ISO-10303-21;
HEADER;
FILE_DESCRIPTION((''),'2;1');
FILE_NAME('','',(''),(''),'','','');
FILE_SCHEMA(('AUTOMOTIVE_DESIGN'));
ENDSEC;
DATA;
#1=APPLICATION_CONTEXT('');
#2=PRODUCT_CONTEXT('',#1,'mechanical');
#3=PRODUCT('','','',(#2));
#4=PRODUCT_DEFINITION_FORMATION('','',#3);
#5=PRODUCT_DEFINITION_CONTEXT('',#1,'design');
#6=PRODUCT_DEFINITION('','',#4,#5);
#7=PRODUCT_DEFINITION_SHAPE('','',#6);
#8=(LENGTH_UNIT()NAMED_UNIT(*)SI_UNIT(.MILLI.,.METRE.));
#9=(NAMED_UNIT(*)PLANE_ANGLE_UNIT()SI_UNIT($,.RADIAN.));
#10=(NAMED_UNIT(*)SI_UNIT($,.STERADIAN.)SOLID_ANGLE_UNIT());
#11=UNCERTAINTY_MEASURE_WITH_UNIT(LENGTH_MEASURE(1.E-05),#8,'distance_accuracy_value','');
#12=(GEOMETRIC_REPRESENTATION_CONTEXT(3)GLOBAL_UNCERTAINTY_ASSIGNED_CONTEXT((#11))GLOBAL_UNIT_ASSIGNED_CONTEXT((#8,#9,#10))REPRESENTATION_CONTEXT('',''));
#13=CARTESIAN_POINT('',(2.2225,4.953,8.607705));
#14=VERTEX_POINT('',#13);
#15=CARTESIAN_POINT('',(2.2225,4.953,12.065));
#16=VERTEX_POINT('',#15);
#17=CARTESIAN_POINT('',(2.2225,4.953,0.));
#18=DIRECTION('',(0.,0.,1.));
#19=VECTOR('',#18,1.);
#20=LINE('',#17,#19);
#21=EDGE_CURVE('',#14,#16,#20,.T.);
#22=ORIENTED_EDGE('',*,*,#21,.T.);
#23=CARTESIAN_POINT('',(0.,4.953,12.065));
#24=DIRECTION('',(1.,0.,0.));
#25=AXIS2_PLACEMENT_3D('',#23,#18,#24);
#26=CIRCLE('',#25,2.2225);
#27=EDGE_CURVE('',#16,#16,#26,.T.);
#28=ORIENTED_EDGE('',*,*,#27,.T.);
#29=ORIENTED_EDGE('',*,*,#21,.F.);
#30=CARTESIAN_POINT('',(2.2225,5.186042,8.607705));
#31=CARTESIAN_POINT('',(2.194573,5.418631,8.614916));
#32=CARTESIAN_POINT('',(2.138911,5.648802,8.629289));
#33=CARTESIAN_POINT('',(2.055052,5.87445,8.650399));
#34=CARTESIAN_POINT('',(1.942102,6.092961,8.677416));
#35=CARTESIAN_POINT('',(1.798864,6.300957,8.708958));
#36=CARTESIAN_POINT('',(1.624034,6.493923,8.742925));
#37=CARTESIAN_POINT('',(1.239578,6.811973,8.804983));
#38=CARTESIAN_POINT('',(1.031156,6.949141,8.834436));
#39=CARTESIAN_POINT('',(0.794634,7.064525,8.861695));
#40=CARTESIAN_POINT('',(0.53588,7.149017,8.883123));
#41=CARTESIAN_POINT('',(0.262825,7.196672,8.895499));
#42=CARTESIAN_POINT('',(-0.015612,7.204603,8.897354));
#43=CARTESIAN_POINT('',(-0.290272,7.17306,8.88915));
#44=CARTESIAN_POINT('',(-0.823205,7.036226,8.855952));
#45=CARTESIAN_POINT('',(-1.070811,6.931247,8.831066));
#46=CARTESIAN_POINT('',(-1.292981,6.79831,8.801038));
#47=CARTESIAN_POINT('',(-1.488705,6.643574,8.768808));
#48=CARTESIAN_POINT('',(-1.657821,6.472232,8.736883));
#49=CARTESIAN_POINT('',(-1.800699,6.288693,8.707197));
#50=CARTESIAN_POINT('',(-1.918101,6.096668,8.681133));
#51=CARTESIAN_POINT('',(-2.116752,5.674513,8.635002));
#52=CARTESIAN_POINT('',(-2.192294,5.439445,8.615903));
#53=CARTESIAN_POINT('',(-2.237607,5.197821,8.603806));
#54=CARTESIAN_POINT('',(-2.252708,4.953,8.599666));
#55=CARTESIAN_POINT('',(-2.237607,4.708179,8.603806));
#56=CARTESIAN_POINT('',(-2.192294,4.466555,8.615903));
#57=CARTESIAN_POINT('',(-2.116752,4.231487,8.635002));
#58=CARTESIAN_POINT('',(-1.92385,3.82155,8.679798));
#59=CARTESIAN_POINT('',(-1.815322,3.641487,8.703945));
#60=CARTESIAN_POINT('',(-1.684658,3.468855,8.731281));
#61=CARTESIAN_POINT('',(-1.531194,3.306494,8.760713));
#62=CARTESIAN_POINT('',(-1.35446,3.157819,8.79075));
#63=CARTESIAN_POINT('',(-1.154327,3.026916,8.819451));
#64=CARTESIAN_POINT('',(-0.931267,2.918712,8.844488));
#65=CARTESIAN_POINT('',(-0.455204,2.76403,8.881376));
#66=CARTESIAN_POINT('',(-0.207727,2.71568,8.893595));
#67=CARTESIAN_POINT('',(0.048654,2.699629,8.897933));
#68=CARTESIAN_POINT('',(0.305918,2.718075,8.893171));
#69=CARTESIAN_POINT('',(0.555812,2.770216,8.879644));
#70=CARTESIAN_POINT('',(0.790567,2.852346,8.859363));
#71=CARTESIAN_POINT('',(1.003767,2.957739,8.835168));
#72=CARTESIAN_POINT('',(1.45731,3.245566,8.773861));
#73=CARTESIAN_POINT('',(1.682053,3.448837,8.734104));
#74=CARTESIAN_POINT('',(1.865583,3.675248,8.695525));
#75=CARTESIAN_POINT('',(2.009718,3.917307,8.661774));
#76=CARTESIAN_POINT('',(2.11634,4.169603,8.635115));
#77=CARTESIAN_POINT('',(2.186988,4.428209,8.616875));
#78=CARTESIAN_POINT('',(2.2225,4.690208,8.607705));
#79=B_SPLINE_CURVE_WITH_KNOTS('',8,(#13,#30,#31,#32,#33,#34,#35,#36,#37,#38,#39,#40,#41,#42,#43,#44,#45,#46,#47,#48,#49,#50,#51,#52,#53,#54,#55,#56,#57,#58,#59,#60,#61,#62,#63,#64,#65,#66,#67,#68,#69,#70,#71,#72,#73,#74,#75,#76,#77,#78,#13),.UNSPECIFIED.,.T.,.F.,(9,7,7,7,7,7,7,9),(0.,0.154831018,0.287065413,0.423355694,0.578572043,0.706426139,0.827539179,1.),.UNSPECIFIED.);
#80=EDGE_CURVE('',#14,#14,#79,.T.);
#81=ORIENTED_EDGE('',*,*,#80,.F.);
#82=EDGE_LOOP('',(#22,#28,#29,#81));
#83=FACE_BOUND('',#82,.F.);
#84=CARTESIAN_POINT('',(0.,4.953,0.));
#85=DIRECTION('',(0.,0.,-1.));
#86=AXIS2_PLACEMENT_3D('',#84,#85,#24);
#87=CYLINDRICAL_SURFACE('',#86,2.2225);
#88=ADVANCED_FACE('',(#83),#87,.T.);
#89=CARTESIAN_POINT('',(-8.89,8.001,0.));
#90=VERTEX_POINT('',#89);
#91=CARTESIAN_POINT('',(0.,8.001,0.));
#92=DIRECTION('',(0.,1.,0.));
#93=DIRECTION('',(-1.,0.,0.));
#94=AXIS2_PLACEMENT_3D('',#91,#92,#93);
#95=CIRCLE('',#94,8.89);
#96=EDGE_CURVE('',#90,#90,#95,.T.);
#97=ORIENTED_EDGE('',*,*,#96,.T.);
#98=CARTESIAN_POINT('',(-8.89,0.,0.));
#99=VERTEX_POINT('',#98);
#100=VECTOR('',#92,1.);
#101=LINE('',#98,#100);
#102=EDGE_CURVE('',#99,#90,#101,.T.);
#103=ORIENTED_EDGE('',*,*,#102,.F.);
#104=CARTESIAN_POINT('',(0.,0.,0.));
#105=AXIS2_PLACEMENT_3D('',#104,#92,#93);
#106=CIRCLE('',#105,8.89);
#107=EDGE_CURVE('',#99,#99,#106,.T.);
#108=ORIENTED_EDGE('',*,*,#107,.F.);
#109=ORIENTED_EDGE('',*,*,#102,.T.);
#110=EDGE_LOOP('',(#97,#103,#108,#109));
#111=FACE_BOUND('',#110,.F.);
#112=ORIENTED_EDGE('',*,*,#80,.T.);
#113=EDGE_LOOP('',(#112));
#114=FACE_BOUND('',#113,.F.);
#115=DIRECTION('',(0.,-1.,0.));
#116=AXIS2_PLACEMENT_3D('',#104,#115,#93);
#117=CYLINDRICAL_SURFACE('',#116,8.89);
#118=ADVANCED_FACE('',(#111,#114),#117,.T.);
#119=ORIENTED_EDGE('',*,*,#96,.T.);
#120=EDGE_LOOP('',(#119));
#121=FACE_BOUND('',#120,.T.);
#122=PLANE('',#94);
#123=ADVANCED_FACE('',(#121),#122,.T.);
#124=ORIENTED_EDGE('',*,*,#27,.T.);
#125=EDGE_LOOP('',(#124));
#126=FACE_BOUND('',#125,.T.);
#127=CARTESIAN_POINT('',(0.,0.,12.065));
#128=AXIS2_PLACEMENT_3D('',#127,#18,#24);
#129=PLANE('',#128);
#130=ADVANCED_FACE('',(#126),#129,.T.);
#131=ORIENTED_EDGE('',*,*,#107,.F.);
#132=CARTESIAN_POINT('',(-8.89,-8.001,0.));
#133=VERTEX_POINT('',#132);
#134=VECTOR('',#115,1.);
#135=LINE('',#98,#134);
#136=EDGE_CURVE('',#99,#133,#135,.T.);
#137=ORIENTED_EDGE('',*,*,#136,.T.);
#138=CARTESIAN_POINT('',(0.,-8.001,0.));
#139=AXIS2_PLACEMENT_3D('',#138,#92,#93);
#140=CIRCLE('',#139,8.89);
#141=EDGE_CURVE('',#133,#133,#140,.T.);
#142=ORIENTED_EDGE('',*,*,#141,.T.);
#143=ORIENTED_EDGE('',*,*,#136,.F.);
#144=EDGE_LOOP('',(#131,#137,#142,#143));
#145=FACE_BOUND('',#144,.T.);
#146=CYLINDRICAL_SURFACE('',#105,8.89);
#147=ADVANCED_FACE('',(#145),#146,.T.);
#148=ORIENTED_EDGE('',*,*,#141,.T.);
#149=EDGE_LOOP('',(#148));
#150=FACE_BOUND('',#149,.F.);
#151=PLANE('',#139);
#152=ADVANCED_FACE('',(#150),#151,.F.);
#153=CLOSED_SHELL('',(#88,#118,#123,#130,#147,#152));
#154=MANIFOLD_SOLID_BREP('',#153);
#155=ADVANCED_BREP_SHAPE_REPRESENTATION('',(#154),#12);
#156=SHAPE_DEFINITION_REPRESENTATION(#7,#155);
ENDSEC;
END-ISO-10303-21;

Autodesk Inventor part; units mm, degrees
ref_plane "YZ Plane" through (0, 0, 0) normal (1, 0, 0) x (0, 1, 0)
ref_plane "XZ Plane" through (0, 0, 0) normal (0, 1, 0) x (-1, 0, 0)
ref_plane "XY Plane" through (0, 0, 0) normal (0, 0, 1) x (1, 0, 0)
sketch "Sketch1" plane through (0, 0, 0) normal (0, 1, 0) x (-1, 0, 0)
  circle A0 centre (0, 0) radius 8.89
  dimension "d0" = 17.78
extrude "Extrusion1" add sketch "Sketch1" along normal mid plane 16.002
sketch "Sketch2" plane through (0, 0, 0) normal (0, 0, 1) x (1, 0, 0)
  circle A0 centre (0, 4.953) radius 2.2225
  line L0 (8.89, 8.001) -> (-8.89, 8.001) projected
  point P0 (0, 0)
  dimension "d3" = 3.048
  dimension "d4" = 4.445
extrude "Extrusion2" add sketch "Sketch2" along normal blind 12.065
properties part number "CMG024 Transducer"
